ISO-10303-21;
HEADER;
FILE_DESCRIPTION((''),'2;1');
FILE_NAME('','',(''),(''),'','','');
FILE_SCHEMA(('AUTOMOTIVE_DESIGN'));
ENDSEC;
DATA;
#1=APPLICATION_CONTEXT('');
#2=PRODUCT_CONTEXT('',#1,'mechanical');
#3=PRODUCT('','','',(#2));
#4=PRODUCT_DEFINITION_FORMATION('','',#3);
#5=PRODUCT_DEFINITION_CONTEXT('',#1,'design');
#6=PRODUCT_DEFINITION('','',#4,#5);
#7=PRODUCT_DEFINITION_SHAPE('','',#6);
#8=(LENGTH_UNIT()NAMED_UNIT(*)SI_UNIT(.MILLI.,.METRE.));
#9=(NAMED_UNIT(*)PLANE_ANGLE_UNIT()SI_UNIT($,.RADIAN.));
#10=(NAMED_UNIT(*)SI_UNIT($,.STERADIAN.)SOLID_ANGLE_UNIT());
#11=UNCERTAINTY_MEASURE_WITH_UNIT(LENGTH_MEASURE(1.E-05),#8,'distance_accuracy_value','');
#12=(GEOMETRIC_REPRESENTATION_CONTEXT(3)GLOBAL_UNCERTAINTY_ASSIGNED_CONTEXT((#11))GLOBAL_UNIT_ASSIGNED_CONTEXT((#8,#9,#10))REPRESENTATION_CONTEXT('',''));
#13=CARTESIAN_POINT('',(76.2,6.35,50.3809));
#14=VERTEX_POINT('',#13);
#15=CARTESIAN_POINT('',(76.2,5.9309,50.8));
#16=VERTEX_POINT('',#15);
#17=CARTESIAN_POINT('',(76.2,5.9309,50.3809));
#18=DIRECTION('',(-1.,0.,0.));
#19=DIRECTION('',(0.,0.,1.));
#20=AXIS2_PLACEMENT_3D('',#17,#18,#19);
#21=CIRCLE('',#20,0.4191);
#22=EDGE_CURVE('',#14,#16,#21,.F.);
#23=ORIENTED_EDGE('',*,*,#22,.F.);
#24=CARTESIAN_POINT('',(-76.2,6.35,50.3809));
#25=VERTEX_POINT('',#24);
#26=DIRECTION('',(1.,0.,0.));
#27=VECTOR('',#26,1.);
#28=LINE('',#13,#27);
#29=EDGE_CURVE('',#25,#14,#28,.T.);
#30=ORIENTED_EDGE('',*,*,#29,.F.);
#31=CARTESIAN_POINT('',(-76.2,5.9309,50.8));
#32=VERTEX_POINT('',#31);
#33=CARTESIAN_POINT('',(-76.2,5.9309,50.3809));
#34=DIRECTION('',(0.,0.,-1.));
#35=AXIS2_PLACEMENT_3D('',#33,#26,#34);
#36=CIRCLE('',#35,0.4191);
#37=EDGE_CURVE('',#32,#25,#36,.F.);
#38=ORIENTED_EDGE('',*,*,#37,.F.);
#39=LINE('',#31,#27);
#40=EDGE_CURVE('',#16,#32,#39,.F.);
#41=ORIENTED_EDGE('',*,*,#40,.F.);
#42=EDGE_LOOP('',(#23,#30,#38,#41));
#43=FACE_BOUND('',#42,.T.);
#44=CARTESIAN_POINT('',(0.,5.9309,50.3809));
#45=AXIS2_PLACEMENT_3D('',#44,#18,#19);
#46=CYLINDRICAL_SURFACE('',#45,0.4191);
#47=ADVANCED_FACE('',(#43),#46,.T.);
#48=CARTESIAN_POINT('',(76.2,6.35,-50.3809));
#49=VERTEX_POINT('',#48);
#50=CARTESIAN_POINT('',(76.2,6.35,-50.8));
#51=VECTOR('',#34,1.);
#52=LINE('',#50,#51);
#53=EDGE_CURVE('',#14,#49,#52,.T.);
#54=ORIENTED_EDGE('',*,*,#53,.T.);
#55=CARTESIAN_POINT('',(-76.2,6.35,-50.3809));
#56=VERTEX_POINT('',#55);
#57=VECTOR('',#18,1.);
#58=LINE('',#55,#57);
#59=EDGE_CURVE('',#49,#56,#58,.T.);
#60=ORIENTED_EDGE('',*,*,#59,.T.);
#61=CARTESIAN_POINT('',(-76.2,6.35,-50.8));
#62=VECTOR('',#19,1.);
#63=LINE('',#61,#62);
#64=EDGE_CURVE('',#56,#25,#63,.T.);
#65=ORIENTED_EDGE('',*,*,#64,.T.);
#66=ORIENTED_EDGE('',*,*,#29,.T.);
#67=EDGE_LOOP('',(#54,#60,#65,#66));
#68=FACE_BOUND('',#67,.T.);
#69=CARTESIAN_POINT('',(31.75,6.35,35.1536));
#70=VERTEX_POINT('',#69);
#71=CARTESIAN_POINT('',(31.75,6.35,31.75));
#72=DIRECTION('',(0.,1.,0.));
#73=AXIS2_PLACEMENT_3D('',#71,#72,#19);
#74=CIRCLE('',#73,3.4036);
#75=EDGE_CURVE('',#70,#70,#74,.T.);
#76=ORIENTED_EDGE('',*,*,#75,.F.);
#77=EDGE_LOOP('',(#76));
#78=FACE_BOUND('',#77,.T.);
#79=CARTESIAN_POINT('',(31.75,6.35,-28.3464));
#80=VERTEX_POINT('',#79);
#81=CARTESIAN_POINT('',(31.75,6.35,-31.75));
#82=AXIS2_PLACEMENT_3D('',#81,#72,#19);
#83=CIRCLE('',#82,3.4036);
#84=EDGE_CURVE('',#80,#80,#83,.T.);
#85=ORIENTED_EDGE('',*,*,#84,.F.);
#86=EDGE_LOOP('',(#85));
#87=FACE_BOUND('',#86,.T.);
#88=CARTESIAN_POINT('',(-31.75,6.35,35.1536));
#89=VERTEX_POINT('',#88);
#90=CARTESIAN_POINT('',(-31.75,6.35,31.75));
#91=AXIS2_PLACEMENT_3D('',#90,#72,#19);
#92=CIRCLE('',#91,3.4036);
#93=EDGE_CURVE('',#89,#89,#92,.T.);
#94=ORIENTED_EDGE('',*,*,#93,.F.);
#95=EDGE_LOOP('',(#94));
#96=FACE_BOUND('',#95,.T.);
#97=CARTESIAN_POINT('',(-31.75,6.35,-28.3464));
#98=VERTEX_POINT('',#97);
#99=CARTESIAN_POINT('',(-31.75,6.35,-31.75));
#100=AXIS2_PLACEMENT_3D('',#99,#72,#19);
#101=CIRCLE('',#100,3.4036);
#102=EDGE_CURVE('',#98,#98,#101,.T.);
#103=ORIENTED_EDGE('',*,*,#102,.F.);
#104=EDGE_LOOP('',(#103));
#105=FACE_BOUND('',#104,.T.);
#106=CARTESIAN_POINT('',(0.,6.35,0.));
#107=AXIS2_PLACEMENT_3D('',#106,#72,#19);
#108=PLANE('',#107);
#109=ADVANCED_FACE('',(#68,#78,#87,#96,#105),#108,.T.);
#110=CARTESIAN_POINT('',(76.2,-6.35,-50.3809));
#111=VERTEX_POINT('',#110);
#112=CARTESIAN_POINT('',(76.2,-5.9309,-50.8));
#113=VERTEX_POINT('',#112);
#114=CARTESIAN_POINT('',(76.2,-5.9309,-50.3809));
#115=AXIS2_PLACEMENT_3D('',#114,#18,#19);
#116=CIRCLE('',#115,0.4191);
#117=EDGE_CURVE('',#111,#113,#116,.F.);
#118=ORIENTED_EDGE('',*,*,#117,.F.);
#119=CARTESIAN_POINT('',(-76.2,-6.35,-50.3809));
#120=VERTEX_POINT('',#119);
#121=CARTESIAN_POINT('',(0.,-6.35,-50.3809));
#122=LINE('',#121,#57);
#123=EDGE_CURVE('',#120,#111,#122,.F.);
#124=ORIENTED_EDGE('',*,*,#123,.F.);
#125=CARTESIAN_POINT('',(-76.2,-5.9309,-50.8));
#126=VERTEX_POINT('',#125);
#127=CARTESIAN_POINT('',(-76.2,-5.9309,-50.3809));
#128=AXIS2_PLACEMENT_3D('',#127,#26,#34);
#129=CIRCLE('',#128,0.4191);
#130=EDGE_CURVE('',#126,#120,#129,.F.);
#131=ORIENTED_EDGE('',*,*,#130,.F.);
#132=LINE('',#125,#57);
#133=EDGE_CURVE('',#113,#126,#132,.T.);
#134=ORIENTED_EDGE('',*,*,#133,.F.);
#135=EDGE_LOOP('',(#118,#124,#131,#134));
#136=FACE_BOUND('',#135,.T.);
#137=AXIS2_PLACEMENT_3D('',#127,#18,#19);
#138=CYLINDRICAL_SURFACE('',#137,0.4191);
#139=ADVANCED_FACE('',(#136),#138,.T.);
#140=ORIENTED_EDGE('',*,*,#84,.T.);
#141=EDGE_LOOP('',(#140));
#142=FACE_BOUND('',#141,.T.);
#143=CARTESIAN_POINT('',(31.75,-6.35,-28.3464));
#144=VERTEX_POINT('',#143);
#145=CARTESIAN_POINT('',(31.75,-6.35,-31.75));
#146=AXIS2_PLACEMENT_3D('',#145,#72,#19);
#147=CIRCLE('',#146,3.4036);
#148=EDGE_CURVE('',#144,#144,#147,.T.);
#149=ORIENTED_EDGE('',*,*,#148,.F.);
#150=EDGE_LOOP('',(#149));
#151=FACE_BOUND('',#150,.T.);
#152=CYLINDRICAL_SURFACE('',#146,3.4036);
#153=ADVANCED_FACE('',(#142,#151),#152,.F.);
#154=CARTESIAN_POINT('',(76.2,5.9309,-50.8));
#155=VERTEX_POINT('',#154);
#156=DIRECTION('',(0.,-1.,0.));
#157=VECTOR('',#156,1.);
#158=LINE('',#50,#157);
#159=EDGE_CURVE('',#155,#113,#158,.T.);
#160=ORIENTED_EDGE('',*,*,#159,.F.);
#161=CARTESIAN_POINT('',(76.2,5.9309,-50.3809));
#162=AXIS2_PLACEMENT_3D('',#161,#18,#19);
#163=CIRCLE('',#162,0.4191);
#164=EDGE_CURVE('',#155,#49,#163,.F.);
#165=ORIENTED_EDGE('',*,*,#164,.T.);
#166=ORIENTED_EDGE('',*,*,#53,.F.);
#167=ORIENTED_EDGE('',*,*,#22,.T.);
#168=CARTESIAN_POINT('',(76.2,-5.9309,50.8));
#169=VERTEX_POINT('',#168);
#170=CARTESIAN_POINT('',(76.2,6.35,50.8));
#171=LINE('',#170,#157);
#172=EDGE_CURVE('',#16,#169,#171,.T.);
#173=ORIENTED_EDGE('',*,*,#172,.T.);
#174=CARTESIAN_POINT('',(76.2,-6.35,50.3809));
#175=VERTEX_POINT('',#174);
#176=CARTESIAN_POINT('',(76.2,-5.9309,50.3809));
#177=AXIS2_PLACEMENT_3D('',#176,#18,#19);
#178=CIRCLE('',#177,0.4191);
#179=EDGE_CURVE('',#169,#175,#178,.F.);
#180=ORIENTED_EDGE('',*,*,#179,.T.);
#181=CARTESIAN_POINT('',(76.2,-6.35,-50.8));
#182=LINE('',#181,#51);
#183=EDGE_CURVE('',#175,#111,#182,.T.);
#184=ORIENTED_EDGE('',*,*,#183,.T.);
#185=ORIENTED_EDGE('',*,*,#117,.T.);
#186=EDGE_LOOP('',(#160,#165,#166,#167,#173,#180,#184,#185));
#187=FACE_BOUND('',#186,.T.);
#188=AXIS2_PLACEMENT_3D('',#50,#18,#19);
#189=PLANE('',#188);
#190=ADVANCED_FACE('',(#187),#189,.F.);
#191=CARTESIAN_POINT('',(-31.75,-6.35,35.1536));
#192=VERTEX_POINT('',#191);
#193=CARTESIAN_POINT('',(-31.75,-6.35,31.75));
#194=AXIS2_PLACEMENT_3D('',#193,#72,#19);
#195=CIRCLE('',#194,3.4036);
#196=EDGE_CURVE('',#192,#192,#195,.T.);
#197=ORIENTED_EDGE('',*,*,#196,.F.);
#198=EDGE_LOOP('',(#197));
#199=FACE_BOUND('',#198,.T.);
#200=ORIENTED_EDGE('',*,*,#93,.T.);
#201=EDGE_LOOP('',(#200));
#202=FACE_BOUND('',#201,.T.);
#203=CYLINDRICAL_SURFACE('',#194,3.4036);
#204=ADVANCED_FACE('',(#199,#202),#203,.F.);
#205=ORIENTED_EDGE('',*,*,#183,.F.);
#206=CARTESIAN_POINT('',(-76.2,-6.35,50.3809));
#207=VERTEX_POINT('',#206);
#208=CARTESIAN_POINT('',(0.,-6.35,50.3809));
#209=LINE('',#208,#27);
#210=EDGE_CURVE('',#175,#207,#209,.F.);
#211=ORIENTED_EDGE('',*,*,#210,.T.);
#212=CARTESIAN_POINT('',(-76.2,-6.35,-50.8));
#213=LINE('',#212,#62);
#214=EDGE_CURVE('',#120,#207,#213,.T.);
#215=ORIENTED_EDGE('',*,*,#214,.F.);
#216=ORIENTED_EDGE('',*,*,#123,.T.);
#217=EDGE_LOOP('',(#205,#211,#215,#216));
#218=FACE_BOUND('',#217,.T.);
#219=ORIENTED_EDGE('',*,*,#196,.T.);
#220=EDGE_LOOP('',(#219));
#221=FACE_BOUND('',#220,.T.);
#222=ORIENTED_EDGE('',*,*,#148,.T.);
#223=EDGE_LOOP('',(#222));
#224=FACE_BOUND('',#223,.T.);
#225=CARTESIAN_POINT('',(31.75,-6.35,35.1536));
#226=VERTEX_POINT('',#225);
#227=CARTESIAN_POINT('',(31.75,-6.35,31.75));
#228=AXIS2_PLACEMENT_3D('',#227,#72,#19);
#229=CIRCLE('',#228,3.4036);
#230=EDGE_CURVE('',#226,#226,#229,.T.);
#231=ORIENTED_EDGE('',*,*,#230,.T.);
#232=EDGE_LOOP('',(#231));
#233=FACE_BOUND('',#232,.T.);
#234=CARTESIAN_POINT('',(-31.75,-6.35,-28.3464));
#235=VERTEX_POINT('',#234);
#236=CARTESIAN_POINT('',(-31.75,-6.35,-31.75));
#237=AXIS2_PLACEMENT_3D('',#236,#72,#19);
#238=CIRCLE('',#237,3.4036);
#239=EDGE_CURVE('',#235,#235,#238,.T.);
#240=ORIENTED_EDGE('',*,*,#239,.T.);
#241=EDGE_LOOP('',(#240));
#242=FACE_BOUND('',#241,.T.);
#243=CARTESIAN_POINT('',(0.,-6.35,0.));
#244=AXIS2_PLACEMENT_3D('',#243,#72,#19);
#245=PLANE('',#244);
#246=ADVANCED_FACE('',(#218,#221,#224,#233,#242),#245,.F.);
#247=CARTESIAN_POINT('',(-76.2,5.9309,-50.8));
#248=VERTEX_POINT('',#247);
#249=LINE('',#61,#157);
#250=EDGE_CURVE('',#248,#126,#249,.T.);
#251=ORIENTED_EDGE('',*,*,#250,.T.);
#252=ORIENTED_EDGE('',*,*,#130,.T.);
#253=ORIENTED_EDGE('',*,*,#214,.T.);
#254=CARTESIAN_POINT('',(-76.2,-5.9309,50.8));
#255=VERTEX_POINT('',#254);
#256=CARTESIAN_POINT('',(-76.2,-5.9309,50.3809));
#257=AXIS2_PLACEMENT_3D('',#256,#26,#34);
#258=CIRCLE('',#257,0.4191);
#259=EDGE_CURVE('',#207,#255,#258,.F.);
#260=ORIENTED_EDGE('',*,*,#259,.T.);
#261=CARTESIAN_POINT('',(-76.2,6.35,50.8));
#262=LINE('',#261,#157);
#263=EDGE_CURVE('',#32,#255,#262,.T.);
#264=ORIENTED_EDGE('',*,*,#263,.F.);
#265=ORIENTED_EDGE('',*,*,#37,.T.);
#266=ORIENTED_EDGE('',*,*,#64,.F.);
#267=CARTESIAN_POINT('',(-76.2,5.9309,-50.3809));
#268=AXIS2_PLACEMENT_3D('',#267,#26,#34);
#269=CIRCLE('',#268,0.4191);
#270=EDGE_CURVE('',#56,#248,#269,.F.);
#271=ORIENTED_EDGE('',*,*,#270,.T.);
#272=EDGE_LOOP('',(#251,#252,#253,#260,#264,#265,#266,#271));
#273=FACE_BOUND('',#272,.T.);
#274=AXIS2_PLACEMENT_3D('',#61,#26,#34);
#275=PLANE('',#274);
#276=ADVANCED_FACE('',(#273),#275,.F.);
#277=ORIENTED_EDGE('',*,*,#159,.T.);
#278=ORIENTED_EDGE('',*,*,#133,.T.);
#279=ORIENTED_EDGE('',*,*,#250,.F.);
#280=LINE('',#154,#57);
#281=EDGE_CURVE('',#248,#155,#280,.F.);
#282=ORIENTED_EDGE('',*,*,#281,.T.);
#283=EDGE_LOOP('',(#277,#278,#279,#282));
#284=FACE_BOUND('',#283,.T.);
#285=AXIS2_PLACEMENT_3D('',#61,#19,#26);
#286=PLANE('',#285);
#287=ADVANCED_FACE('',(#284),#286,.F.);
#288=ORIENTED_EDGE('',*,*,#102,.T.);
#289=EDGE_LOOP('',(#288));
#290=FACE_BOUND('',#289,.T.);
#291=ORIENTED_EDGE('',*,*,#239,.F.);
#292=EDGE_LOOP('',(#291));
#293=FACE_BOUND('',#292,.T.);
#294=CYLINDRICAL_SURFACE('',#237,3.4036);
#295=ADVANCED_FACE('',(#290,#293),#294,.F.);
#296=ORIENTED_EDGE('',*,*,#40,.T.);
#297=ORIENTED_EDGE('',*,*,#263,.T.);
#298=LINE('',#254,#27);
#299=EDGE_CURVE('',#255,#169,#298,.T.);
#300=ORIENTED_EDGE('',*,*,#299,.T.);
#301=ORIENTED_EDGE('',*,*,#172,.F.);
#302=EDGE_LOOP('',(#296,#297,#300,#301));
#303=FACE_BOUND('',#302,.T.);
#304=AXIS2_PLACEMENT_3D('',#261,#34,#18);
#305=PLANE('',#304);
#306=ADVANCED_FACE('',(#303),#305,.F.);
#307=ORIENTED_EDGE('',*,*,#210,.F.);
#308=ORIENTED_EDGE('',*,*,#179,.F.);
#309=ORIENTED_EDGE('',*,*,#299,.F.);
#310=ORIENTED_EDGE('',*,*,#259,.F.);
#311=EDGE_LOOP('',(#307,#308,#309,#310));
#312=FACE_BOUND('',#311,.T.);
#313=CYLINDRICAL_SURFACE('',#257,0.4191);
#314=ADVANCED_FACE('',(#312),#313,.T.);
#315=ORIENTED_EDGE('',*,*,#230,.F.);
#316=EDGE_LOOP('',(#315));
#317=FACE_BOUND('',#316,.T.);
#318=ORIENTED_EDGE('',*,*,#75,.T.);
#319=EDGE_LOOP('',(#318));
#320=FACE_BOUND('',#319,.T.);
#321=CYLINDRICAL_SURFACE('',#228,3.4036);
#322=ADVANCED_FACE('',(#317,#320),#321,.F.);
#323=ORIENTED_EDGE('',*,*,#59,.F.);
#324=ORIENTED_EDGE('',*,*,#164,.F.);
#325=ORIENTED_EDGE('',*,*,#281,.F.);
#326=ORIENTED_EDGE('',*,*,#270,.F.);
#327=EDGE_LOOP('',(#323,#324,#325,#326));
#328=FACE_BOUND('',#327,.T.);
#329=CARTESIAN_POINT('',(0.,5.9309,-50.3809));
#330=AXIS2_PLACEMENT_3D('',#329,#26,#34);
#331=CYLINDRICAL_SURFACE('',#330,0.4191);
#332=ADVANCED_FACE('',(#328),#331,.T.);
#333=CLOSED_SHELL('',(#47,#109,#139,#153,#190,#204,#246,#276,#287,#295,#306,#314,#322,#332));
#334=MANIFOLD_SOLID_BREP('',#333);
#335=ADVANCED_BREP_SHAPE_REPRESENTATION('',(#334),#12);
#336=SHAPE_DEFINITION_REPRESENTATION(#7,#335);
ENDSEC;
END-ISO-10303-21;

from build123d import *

# Parameters (mm, degrees)
SKETCH3_W                = 152.4
SKETCH3_H                = 101.6
BOSS_EXTRUDE1_DEPTH      = 6.35
BOSS_EXTRUDE1_DEPTH_BACK = 6.35
FILLET1_R                = 0.4191
SKETCH5_R                = 3.4036
CUT_EXTRUDE2_DEPTH       = 13.7


with BuildPart() as part:
    # Sketch3 → Boss-Extrude1 (new body, two sides)
    with BuildSketch(Plane(origin=(0, 0, 0), x_dir=(1, 0, 0), z_dir=(0, 1, 0))) as boss_extrude1_sk:
        Rectangle(SKETCH3_W, SKETCH3_H)
    extrude(amount=BOSS_EXTRUDE1_DEPTH)
    extrude(boss_extrude1_sk.sketch, amount=-BOSS_EXTRUDE1_DEPTH_BACK)

    # Fillet1
    fillet1_edges = [part.edges().sort_by_distance(p)[0] for p in [
        (0, -6.35, -50.8),
        (0, -6.35, 50.8),
        (0, 6.35, -50.8),
        (0, 6.35, 50.8),
    ]]
    fillet(fillet1_edges, radius=FILLET1_R)

    # Sketch5 → Cut-Extrude2 (cut, through all)
    with BuildSketch(Plane(origin=(0, 6.35, 0), x_dir=(1, 0, 0), z_dir=(0, 1, 0))):
        with Locations((31.75, 31.75)):
            Circle(SKETCH5_R)
        with Locations((31.75, -31.75)):
            Circle(SKETCH5_R)
        with Locations((-31.75, -31.75)):
            Circle(SKETCH5_R)
        with Locations((-31.75, 31.75)):
            Circle(SKETCH5_R)
    extrude(amount=-CUT_EXTRUDE2_DEPTH, mode=Mode.SUBTRACT)


solid = part.part
